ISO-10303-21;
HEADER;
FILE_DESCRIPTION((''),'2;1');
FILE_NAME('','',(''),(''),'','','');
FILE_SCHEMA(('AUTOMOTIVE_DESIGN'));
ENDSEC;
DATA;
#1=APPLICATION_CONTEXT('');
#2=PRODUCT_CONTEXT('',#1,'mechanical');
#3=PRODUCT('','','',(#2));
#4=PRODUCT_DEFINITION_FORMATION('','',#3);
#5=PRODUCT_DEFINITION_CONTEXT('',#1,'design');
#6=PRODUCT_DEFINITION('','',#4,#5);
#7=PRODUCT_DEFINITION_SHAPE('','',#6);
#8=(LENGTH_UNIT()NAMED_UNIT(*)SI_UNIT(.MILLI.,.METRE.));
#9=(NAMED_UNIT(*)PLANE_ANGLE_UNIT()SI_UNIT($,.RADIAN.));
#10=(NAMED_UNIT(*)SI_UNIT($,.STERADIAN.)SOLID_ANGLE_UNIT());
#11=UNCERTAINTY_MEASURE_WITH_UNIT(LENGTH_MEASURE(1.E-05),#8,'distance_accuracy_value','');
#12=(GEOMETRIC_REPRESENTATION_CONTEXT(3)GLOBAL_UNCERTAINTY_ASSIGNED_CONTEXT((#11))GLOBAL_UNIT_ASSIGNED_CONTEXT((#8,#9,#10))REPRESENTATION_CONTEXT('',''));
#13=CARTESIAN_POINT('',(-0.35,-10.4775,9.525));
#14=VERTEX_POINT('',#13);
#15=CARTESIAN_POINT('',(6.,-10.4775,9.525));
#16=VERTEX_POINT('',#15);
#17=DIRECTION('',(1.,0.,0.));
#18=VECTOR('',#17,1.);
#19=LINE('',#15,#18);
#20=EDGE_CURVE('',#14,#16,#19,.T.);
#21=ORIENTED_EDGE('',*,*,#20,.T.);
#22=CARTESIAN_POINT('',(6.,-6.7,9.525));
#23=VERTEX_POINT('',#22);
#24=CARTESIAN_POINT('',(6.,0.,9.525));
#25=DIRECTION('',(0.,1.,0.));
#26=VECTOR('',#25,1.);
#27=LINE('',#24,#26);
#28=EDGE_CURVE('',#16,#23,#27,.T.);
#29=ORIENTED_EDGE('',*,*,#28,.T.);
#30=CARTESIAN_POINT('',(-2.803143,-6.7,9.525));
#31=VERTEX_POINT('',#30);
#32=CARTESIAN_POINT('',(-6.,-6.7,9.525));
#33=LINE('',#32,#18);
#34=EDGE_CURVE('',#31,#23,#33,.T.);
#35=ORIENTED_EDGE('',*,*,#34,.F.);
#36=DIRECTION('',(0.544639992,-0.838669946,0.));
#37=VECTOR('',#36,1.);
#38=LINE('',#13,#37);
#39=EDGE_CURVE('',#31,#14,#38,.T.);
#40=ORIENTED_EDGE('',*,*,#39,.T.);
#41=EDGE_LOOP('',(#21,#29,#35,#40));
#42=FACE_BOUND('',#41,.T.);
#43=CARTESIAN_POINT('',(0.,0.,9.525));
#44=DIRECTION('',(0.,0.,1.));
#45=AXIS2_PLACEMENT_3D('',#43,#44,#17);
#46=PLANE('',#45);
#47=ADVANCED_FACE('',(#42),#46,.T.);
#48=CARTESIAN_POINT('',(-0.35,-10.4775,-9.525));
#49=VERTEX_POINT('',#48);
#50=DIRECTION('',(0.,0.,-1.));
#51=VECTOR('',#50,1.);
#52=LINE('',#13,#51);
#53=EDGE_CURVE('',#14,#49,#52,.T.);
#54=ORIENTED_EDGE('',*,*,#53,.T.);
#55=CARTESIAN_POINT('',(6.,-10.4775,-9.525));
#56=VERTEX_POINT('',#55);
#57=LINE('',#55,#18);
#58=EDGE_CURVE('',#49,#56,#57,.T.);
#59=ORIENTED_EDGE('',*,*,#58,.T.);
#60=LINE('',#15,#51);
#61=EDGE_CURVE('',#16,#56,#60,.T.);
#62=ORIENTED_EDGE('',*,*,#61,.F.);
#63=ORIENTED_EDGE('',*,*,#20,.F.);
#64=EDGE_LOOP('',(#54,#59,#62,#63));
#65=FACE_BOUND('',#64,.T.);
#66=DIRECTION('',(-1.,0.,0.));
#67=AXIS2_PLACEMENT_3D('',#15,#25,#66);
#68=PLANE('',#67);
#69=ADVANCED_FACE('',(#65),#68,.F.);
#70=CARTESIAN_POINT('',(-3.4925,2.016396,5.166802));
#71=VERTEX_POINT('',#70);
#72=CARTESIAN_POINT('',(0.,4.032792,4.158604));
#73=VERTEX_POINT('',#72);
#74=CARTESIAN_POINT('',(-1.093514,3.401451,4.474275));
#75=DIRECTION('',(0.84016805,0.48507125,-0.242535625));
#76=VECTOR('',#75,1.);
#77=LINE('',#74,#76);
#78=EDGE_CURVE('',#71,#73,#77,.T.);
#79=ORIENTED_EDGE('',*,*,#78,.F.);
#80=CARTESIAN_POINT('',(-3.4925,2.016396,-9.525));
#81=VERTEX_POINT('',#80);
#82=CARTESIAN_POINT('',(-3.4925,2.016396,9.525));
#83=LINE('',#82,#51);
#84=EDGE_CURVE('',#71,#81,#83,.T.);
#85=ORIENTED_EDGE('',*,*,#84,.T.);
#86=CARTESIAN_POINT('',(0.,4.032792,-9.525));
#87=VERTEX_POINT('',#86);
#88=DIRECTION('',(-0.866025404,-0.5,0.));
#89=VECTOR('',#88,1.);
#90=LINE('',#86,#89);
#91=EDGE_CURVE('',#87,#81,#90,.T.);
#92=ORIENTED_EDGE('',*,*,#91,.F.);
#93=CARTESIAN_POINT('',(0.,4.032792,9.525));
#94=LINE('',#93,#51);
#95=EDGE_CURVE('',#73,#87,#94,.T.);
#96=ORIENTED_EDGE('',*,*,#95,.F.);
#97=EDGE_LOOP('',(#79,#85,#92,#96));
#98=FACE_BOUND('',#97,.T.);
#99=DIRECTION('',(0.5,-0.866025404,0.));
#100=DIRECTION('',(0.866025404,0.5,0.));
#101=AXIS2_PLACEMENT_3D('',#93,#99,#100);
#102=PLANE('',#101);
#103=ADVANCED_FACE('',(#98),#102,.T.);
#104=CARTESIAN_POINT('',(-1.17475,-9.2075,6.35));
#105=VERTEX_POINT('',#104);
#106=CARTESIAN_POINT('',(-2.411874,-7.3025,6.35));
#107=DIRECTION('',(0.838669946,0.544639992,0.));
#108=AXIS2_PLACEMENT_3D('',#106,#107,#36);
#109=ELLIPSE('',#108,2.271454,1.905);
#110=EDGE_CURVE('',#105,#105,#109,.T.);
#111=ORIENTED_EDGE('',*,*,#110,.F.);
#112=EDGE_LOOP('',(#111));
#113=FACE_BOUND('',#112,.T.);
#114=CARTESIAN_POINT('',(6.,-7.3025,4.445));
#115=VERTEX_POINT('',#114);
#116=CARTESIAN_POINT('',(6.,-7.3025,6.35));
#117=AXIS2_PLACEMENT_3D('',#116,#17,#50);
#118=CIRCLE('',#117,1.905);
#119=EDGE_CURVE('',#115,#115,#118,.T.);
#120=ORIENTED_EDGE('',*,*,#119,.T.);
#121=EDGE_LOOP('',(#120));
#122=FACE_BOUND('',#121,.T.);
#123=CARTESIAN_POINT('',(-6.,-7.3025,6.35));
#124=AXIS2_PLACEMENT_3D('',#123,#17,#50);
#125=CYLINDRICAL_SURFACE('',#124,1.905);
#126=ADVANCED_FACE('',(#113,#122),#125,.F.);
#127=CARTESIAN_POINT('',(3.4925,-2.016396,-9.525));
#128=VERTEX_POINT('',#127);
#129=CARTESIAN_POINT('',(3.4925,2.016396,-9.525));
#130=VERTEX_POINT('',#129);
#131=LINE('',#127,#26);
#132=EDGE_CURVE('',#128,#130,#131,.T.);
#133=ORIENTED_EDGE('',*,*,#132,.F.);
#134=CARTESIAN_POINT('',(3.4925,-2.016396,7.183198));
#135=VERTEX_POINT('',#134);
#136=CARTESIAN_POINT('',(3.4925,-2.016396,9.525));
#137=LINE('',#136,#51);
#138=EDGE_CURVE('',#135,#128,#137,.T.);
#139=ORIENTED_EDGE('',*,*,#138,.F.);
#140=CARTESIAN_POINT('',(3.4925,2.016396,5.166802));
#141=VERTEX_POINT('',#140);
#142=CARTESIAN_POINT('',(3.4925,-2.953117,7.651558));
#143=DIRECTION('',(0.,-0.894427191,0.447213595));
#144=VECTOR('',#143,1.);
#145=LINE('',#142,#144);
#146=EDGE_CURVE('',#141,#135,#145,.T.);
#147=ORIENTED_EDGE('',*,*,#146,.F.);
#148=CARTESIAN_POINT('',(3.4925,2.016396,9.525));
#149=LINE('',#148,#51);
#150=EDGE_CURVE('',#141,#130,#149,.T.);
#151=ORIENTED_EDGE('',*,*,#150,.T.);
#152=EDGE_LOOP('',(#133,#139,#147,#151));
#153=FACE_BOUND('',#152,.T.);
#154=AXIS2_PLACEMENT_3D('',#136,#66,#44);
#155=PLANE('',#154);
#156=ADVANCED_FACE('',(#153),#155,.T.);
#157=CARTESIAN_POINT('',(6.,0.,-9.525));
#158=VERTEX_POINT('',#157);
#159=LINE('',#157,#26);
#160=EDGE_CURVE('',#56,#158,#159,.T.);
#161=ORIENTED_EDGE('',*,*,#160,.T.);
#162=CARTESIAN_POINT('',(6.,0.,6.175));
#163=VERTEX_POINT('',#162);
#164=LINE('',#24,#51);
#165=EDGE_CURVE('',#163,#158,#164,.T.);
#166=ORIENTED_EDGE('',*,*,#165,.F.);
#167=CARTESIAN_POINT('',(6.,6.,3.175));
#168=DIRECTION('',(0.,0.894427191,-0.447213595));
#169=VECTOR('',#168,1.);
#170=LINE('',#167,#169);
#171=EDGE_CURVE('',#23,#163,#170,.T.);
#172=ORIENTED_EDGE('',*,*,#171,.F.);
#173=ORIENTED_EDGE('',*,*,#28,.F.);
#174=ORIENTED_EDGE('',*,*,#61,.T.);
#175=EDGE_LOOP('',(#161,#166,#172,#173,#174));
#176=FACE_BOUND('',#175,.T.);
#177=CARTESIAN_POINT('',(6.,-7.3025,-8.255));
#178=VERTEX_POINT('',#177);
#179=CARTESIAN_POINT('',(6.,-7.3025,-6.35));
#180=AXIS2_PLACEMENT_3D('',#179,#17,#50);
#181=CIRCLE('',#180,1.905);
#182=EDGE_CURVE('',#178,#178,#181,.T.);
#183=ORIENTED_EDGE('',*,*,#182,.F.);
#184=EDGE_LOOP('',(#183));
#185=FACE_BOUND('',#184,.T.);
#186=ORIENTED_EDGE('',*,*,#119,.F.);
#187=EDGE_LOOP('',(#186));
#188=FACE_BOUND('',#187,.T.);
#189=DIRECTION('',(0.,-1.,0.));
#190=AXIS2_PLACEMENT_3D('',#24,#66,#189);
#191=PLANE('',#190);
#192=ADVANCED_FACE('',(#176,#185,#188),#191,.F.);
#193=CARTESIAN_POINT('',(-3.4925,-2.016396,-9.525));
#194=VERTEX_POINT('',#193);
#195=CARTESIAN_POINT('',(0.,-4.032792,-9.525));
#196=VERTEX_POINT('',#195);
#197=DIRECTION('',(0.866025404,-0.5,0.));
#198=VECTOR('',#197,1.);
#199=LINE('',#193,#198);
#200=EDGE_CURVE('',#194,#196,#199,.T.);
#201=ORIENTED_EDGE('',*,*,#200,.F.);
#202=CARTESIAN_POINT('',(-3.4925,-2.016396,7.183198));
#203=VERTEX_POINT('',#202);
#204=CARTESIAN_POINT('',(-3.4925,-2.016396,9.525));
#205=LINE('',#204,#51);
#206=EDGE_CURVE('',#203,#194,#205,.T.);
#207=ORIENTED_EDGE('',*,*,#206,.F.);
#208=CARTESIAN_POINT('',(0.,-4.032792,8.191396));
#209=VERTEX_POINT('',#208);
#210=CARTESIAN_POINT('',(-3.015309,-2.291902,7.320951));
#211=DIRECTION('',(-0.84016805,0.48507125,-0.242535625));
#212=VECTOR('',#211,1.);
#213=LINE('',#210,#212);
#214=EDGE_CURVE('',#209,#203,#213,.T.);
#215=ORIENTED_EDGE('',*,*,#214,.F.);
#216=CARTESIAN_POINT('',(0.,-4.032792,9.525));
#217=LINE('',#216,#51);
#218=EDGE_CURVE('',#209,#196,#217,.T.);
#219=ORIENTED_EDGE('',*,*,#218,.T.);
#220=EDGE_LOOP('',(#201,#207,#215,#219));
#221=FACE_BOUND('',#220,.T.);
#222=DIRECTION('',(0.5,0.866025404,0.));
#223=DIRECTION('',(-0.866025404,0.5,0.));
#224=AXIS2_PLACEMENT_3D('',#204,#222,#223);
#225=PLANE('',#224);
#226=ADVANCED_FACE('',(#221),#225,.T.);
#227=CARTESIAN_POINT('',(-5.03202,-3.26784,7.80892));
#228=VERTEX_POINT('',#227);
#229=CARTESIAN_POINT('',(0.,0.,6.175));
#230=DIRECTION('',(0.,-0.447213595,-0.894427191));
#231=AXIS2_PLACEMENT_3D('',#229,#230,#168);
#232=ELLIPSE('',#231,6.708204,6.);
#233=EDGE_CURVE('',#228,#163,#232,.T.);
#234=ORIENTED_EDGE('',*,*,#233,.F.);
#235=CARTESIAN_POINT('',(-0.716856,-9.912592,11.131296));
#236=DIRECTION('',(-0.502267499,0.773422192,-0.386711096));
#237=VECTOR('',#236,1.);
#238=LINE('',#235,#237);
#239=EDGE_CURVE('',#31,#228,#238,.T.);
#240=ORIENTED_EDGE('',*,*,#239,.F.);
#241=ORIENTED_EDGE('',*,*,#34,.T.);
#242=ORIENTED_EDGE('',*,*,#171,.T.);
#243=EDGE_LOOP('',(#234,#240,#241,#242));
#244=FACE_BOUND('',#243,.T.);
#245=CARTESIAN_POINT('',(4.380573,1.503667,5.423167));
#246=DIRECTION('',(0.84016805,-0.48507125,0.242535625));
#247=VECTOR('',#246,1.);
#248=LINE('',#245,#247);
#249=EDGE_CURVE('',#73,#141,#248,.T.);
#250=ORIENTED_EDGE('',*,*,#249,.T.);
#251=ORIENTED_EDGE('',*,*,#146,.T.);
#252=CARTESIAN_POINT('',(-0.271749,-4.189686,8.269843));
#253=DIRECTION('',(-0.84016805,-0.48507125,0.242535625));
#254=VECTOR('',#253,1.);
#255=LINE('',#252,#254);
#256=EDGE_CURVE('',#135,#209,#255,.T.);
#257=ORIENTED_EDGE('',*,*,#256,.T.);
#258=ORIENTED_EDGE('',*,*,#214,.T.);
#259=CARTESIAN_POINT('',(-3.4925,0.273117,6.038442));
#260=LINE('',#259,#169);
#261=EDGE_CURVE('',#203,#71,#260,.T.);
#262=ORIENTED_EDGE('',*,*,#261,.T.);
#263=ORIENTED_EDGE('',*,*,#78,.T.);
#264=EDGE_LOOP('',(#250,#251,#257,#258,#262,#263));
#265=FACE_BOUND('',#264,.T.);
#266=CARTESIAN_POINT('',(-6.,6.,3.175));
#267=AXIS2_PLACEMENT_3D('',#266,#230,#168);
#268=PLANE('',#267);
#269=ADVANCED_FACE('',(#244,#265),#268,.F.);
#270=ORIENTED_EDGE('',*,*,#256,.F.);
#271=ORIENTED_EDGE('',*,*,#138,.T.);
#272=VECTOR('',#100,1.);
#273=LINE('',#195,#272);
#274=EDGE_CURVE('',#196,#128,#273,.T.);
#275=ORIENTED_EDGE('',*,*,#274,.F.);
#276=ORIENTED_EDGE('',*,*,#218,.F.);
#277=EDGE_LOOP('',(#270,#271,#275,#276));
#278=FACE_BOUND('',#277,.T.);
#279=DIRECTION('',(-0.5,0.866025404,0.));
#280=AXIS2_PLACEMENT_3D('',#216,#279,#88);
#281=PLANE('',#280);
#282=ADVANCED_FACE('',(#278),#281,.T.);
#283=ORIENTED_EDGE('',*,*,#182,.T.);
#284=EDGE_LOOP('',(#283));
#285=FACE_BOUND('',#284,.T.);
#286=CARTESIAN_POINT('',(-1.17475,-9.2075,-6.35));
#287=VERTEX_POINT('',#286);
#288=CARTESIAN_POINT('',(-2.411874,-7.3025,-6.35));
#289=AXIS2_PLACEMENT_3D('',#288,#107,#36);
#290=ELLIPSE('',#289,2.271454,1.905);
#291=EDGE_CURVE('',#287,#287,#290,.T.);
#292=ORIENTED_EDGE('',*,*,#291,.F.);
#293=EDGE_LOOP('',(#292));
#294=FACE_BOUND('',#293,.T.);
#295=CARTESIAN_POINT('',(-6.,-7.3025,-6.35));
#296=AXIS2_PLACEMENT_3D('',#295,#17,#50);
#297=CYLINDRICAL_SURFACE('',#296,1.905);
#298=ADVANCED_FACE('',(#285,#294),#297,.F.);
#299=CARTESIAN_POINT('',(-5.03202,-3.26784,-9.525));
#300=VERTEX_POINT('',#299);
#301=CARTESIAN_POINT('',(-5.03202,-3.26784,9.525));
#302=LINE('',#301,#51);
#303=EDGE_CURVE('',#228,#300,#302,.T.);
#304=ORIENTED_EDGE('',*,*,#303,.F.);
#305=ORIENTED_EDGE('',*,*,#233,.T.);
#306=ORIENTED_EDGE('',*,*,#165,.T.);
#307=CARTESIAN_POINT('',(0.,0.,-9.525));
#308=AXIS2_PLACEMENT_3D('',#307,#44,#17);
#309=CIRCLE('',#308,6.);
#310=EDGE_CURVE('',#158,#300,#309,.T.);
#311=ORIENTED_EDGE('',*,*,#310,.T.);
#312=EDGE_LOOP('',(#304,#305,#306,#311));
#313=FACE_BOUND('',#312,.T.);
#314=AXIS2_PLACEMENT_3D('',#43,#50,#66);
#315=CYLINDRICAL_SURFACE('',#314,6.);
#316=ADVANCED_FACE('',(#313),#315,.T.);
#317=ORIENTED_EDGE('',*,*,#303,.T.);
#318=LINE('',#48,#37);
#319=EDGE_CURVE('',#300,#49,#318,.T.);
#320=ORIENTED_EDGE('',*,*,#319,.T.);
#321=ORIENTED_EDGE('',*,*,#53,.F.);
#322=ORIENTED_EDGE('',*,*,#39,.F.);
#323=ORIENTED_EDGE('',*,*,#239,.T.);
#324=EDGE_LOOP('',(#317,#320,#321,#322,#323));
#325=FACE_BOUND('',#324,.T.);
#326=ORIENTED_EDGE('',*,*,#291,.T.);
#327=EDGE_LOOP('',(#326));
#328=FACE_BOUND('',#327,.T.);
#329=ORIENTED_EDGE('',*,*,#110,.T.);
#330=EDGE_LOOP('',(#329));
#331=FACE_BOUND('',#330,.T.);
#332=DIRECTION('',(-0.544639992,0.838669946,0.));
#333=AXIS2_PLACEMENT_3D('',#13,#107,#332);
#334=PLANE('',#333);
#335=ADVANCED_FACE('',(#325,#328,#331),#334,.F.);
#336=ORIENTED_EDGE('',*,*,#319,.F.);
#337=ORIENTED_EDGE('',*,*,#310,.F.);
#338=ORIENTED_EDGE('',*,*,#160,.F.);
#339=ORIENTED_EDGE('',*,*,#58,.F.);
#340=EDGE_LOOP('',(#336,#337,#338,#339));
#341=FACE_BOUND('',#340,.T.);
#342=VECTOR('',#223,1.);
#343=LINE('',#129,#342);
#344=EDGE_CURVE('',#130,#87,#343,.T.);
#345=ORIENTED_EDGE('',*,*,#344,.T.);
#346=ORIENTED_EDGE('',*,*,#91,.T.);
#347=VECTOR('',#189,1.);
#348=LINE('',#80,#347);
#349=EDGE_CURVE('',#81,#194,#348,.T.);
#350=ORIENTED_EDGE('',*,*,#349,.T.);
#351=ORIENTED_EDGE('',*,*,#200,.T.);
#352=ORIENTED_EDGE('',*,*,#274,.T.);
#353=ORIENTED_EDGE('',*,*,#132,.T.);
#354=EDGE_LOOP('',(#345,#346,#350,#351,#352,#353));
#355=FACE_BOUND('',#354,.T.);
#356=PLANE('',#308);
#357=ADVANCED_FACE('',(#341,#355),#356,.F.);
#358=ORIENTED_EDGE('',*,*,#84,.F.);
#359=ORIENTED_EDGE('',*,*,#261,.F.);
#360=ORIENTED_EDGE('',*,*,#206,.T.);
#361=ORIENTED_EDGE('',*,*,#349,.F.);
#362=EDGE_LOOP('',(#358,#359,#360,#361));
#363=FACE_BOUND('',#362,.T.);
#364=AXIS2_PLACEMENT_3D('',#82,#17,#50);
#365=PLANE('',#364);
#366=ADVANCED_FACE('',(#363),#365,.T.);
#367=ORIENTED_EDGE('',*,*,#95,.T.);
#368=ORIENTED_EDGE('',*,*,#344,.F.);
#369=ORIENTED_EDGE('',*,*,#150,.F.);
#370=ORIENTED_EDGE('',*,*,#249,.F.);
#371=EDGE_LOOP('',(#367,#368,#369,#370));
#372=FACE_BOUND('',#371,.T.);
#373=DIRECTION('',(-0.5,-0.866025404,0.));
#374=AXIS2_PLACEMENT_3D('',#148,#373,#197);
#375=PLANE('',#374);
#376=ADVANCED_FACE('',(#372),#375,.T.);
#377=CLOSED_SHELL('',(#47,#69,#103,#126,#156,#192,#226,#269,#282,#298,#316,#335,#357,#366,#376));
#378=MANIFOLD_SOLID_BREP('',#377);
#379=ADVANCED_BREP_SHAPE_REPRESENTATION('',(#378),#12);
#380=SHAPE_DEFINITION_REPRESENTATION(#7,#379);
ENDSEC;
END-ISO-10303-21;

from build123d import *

# Parameters (mm, degrees)
BOSS_EXTRUDE1_DEPTH = 9.525
CUT_EXTRUDE1_DEPTH  = 19.560809014
SKETCH3_R           = 1.905
CUT_EXTRUDE2_DEPTH  = 19.560809014


with BuildPart() as part:
    # Sketch1 → Boss-Extrude1 (new, symmetric)
    with BuildSketch(Plane.XY):
        with BuildLine():
            Line((6, 0), (6, -10.4775))
            Line((6, -10.4775), (-0.35, -10.4775))
            Line((-0.35, -10.4775), (-5.032019678, -3.267839953))
            ThreePointArc((-5.032019678, -3.267839953), (-1.704095351, 5.752917437), (6, 0))
        make_face()
        Polygon((3.4925, -2.016395815), (3.4925, 2.016395815), (0, 4.03279163), (-3.4925, 2.016395815), (-3.4925, -2.016395815), (0, -4.03279163), align=None, mode=Mode.SUBTRACT)
    extrude(amount=BOSS_EXTRUDE1_DEPTH, both=True)

    # Sketch2 → Cut-Extrude1 (cut, through all)
    with BuildSketch(Plane(origin=(6, 0, 0), x_dir=(0, 0, -1), z_dir=(1, 0, 0))):
        Polygon((-3.175, 6), (-9.525, -6.7), (-9.525, 6), align=None)
    extrude(amount=-CUT_EXTRUDE1_DEPTH, mode=Mode.SUBTRACT)

    # Sketch3 → Cut-Extrude2 (cut, through all)
    with BuildSketch(Plane(origin=(6, 0, 0), x_dir=(0, 0, -1), z_dir=(1, 0, 0))):
        with Locations((-6.35, -7.3025)):
            Circle(SKETCH3_R)
        with Locations((6.35, -7.3025)):
            Circle(SKETCH3_R)
    extrude(amount=-CUT_EXTRUDE2_DEPTH, mode=Mode.SUBTRACT)


solid = part.part
